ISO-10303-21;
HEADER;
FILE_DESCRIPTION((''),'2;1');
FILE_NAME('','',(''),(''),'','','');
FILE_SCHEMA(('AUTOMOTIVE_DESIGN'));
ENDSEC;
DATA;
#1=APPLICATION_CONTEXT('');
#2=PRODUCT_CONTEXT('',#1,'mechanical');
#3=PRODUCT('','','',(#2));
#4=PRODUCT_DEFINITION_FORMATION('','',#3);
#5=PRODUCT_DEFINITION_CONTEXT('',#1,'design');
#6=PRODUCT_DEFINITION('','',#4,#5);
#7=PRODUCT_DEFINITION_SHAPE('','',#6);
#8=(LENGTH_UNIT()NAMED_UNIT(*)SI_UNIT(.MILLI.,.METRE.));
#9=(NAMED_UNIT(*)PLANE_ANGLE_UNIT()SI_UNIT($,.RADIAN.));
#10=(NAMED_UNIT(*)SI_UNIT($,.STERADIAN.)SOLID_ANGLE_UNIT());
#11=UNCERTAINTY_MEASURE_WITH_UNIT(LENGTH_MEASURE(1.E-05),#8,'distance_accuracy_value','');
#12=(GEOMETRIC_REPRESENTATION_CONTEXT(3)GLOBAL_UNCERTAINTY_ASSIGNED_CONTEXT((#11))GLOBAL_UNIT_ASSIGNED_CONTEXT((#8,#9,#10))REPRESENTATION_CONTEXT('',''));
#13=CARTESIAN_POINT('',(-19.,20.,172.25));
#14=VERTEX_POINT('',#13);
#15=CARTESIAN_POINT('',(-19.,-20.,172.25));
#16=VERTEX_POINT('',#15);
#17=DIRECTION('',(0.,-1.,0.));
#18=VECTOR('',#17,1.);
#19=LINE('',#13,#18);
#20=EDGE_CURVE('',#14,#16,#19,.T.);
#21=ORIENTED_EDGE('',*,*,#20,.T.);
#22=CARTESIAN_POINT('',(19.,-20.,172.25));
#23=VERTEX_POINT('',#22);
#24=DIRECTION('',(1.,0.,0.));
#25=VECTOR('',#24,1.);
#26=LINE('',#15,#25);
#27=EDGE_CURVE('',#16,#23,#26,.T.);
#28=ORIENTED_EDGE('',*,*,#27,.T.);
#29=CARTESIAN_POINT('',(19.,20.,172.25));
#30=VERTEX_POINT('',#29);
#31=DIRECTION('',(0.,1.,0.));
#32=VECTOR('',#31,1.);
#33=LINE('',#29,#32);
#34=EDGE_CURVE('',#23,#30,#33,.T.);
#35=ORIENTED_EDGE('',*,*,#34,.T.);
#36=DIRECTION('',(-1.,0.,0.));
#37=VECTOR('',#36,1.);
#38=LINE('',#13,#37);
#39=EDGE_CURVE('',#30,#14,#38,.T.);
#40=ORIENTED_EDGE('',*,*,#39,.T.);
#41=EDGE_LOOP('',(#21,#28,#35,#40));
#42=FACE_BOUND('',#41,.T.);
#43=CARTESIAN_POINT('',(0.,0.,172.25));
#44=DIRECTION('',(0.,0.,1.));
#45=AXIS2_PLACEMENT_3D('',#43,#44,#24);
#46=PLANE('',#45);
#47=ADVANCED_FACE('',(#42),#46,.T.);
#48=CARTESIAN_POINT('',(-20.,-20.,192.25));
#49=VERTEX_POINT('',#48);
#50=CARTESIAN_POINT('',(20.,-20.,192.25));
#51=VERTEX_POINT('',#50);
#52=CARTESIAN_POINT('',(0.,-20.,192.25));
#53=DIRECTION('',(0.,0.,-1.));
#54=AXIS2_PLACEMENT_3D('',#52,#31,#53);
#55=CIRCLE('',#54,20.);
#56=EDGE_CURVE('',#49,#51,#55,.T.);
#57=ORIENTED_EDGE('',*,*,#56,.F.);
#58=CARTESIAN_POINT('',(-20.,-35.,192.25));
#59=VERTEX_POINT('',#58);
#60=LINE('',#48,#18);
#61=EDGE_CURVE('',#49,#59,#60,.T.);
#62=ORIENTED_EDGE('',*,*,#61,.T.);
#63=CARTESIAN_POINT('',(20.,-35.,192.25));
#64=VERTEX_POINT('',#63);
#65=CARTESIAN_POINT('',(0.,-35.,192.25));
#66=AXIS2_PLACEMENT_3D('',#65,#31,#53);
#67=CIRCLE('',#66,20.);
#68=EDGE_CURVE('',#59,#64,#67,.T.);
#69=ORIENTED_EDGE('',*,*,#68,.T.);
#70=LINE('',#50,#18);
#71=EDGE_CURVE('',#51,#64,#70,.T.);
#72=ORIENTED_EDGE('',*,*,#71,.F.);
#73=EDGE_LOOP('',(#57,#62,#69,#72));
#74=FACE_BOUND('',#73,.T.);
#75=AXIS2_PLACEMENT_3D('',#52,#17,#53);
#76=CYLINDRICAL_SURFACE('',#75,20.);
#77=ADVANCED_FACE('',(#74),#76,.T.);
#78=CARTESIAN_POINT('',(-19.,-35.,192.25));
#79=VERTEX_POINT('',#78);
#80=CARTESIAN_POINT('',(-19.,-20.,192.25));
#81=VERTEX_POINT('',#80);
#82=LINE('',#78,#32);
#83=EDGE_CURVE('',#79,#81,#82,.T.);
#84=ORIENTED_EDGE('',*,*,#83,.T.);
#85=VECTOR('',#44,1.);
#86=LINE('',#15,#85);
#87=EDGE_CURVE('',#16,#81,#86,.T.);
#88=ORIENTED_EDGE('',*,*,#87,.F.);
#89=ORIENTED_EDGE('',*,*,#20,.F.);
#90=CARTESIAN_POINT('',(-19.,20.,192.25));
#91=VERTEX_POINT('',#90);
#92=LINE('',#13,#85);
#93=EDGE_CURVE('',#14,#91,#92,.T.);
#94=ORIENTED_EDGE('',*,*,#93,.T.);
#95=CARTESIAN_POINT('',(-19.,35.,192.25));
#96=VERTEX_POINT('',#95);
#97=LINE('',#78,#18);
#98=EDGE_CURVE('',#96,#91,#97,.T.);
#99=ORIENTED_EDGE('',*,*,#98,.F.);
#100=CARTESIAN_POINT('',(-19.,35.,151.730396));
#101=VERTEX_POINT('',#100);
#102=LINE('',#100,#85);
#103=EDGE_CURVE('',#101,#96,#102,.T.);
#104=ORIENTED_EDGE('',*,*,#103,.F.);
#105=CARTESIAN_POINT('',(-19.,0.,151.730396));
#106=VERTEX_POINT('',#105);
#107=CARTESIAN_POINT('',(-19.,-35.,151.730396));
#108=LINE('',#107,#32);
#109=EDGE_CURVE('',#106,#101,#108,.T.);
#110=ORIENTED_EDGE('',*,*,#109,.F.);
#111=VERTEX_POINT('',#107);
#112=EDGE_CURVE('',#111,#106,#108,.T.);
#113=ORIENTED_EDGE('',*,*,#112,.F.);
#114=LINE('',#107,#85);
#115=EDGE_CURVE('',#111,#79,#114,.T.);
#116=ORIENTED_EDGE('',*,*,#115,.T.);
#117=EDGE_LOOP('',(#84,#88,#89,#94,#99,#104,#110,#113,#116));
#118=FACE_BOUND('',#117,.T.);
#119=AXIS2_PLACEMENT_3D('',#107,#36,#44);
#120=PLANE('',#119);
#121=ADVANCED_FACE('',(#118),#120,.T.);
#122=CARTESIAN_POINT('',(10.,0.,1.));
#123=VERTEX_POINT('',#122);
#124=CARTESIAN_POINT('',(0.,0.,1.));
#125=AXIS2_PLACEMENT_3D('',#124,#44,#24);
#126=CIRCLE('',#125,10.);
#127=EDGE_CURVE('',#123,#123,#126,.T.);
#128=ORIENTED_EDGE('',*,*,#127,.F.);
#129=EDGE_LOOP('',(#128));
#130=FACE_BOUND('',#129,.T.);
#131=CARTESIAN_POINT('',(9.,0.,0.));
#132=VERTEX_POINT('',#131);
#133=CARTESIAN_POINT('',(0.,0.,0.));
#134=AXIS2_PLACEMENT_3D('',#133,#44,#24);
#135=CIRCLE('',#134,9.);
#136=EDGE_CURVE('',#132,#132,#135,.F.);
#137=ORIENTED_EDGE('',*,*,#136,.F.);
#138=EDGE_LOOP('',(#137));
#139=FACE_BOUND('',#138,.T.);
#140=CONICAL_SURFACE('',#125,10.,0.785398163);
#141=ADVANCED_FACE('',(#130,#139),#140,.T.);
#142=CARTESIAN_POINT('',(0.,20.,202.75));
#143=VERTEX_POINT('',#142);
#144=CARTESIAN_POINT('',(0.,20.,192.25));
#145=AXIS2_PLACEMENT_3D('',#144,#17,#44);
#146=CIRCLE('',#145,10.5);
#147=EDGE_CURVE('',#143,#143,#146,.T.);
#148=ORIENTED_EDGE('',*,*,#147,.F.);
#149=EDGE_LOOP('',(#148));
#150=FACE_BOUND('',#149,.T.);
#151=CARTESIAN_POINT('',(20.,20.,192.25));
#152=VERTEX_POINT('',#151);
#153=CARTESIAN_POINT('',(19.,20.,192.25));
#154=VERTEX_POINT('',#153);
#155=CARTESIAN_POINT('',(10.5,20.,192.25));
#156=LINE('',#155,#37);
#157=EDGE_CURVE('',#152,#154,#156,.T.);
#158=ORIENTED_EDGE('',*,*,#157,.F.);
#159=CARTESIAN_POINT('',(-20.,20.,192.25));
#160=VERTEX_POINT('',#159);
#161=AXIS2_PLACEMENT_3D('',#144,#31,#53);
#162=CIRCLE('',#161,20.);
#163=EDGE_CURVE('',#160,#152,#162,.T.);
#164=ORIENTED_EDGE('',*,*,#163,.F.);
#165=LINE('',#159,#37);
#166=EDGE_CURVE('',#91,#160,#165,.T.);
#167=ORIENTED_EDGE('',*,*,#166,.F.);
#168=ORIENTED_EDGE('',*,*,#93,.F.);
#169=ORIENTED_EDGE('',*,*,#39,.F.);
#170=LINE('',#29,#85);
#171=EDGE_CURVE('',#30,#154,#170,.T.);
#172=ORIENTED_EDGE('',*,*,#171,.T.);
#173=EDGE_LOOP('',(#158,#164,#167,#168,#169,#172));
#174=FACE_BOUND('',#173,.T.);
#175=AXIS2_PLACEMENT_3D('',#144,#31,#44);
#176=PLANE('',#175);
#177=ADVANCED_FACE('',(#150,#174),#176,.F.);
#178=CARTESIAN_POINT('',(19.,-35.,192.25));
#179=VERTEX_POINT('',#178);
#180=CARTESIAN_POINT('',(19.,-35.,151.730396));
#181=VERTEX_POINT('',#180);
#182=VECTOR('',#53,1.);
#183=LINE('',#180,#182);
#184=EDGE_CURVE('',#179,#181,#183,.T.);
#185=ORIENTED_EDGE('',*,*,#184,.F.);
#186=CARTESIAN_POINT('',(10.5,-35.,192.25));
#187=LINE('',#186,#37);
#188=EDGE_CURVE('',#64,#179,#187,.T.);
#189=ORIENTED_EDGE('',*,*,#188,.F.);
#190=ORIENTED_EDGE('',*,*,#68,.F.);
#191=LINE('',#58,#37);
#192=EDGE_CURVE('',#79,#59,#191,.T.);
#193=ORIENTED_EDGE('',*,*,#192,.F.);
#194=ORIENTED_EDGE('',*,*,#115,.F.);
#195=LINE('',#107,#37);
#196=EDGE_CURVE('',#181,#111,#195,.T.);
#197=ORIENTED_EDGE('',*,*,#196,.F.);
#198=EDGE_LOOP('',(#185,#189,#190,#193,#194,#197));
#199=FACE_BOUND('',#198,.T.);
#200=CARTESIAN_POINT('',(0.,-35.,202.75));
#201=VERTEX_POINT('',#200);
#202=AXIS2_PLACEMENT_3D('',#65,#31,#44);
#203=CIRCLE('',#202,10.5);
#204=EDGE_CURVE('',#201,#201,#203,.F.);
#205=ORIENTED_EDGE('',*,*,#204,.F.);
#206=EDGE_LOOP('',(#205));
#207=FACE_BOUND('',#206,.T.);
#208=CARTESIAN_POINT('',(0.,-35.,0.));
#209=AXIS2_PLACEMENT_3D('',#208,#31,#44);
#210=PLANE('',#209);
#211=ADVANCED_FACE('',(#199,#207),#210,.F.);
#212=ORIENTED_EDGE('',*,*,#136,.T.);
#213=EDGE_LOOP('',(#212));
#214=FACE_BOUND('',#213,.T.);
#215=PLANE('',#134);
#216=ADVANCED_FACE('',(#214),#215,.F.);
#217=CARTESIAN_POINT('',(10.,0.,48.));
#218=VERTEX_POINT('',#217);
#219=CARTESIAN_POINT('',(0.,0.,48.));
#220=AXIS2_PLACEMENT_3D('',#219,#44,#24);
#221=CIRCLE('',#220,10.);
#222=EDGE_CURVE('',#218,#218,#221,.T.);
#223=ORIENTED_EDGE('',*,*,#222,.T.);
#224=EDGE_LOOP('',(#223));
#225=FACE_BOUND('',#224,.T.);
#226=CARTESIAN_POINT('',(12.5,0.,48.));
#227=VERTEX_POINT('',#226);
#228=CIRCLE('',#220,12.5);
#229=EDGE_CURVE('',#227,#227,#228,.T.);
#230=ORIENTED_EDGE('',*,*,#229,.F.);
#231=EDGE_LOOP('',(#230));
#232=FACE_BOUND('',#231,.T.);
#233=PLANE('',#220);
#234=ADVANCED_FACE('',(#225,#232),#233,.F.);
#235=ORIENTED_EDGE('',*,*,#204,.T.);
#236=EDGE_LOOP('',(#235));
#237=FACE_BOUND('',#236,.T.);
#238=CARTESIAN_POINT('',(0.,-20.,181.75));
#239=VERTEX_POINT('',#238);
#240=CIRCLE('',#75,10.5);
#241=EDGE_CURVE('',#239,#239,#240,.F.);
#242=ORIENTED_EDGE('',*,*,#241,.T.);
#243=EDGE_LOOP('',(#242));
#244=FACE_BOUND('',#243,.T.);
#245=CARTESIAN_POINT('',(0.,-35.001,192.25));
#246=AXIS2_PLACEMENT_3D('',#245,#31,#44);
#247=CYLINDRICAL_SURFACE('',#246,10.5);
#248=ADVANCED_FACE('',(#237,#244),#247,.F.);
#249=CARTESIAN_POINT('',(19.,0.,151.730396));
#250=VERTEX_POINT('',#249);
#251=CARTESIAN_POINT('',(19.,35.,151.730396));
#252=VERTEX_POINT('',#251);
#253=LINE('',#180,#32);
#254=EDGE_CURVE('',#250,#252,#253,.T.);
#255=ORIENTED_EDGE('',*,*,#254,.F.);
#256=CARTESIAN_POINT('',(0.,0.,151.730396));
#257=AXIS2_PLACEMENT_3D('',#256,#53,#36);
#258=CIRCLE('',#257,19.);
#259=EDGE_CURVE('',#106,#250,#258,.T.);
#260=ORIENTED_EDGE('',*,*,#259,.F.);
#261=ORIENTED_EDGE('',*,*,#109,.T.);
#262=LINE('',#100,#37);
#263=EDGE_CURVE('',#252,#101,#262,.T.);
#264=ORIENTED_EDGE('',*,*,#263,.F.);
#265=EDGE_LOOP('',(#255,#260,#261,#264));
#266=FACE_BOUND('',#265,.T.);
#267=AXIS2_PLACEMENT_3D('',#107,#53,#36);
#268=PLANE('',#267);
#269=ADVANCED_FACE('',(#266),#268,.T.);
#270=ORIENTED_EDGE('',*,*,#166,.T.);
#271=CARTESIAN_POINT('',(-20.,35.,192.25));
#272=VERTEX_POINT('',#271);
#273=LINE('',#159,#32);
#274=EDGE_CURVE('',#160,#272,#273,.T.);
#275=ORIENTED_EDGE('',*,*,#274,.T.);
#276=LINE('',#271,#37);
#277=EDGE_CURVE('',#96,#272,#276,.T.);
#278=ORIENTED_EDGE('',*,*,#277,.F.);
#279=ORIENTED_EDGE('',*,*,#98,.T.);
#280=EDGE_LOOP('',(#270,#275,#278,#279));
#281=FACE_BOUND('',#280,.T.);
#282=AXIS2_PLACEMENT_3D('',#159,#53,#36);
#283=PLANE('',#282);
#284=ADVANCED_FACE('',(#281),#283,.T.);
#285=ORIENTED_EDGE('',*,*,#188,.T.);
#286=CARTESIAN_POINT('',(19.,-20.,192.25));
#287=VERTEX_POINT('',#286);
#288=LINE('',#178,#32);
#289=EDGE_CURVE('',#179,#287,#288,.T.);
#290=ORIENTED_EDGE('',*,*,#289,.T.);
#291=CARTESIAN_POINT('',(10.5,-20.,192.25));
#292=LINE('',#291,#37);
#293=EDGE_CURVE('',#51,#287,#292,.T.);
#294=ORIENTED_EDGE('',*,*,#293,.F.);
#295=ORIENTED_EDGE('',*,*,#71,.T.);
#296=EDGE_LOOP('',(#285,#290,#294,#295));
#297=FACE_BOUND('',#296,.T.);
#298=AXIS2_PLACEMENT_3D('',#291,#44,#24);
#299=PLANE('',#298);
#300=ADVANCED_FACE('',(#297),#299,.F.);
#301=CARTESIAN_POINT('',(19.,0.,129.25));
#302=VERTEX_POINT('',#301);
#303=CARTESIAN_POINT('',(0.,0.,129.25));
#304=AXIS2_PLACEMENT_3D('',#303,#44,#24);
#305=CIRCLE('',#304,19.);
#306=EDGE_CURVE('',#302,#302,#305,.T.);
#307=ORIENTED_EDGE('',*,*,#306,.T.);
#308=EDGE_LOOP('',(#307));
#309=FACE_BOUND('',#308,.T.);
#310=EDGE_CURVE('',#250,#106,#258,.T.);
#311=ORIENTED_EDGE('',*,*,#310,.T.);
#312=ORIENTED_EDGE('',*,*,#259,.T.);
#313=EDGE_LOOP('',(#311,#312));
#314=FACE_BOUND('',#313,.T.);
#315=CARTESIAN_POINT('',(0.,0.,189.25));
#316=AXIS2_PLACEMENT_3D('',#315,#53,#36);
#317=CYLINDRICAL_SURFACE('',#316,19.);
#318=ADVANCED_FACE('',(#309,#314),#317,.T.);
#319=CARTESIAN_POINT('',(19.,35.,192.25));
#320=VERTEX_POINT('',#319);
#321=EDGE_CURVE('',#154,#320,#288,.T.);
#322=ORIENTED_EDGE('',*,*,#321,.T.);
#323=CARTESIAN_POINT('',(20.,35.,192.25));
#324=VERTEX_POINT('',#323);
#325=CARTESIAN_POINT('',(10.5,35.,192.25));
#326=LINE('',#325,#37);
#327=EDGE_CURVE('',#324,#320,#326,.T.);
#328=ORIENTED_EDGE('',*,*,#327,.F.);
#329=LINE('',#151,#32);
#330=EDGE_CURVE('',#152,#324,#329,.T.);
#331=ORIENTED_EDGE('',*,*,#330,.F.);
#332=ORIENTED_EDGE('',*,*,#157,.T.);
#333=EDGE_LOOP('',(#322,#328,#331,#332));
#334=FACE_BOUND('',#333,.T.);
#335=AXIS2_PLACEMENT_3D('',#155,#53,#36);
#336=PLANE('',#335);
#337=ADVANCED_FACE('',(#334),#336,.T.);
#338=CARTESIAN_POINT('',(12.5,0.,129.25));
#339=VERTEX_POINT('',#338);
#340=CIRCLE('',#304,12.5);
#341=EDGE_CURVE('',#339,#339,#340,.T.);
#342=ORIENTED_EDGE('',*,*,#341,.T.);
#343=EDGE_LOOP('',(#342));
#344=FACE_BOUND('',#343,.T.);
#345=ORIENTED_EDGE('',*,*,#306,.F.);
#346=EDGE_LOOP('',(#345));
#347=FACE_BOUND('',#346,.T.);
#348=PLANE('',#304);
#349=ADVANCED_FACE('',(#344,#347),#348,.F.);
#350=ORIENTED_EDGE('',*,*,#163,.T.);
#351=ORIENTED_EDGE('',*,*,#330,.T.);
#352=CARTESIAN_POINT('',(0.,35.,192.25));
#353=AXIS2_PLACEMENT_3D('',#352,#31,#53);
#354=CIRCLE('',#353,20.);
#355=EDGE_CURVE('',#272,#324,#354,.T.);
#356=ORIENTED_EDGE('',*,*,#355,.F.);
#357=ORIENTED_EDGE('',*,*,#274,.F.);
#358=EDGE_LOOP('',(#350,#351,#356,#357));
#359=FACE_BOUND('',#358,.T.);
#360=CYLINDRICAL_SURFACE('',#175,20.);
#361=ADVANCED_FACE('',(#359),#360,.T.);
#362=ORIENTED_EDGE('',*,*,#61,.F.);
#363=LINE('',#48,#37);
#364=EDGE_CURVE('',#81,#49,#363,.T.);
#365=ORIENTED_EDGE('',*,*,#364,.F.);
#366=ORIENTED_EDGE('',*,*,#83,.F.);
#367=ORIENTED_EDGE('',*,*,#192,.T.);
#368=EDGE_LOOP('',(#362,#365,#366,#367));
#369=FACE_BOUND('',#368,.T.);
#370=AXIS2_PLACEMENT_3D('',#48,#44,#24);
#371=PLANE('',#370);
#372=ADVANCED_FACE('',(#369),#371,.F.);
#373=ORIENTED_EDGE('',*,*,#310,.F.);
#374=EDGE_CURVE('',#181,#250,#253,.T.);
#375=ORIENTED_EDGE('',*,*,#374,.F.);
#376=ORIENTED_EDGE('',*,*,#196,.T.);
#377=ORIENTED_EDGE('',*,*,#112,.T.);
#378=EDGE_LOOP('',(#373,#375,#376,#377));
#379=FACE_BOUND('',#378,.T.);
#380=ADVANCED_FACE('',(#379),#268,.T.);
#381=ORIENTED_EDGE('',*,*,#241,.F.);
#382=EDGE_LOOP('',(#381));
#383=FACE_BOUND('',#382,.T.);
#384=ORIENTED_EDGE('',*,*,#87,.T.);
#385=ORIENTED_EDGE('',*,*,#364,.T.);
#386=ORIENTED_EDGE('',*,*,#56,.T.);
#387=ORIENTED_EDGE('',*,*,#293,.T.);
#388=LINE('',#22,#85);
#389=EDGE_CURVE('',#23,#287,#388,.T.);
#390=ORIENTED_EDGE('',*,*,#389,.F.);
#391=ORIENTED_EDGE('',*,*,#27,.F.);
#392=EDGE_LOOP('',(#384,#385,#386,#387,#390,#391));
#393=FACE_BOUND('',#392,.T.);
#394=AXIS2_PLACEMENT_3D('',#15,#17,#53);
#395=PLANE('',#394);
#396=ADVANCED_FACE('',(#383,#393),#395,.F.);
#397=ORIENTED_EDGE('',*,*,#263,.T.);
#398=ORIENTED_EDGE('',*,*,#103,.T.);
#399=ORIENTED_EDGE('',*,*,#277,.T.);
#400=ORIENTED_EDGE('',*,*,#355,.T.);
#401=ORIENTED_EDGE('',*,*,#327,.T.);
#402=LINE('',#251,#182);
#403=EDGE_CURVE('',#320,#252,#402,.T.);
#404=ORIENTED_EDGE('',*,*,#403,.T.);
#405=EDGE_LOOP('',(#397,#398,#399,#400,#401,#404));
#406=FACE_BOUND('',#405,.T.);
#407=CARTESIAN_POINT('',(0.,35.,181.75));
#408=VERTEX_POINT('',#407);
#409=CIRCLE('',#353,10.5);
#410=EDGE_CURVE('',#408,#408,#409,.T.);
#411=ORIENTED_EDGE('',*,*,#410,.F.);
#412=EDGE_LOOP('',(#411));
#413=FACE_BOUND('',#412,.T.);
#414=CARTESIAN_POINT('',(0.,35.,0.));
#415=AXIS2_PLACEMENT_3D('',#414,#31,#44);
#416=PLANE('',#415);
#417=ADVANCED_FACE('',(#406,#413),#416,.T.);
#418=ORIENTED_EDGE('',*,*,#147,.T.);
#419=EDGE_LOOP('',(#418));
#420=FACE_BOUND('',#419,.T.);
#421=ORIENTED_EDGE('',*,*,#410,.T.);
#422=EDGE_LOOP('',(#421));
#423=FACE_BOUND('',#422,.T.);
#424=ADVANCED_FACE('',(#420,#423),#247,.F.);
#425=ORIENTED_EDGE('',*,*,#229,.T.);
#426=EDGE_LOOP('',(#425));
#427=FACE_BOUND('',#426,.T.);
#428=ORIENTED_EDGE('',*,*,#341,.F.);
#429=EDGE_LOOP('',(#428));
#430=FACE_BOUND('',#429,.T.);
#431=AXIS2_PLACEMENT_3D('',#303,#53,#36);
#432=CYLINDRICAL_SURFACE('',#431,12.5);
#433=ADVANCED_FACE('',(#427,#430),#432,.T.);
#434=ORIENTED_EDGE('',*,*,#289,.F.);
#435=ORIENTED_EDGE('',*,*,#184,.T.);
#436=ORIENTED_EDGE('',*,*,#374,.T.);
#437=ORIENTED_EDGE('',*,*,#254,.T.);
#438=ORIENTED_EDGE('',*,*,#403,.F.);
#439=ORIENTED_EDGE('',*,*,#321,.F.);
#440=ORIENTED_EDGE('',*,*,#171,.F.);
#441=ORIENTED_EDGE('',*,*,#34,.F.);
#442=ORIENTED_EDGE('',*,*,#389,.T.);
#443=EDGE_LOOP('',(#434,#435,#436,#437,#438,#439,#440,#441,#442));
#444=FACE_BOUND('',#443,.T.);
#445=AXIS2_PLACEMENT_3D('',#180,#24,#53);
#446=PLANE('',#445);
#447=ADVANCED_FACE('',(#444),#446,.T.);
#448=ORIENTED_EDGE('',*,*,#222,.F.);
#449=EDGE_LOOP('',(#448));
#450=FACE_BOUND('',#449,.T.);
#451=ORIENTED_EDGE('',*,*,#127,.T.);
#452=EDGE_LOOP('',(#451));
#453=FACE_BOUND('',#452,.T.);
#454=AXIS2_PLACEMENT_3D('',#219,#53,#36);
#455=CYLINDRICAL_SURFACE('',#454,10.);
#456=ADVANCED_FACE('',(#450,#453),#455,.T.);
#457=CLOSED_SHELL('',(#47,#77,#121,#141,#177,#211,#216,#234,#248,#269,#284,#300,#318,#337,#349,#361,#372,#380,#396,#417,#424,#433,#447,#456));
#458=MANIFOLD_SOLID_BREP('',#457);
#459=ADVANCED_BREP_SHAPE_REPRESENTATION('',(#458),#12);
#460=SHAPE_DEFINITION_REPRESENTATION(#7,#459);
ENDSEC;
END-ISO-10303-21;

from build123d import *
from build123d.topology import SkipClean

# Parameters (mm, degrees)
ESQUISSE2_R             = 10
BOSS_EXTRU_1_DEPTH      = 48
ESQUISSE3_R             = 12.5
BOSS_EXTRU_2_DEPTH      = 81.25
CHANFREIN1_SIZE         = 1
ESQUISSE6_R             = 19
BOSS_EXTRU_3_DEPTH      = 60
BOSS_EXTRU_4_DEPTH      = 35
BOSS_EXTRU_4_DEPTH_BACK = 35
ESQUISSE7_W             = 38
ESQUISSE7_H             = 40.519603535
ENL_V_MAT_EXTRU_3_REACH = 207.478
BOSS_EXTRU_6_DEPTH      = 15
ESQUISSE16_W            = 38
ESQUISSE16_H            = 40
ENL_V_MAT_EXTRU_4_DEPTH = 20


with BuildPart() as part:
    # Esquisse2 → Boss.-Extru.1 (new body)
    with BuildSketch(Plane.XY):
        Circle(ESQUISSE2_R)
    extrude(amount=BOSS_EXTRU_1_DEPTH)

    # Esquisse3 → Boss.-Extru.2 (add)
    with BuildSketch(Plane.XY.offset(48)):
        Circle(ESQUISSE3_R)
    extrude(amount=BOSS_EXTRU_2_DEPTH)

    # Chanfrein1
    chanfrein1_edges = [part.edges().sort_by_distance(p)[0] for p in [
        (-10, 0, 0),
    ]]
    chamfer(chanfrein1_edges, length=CHANFREIN1_SIZE)

    # Esquisse6 → Boss.-Extru.3 (add)
    with BuildSketch(Plane.XY.offset(129.25)):
        Circle(ESQUISSE6_R)
    extrude(amount=BOSS_EXTRU_3_DEPTH)

    # Esquisse7 → Boss.-Extru.4 (add, two sides: drawn at the far end of the back side and taken through both)
    with BuildSketch(Plane(origin=(0, 0, 0), x_dir=(1, 0, 0), z_dir=(0, 1, 0)).offset(-BOSS_EXTRU_4_DEPTH_BACK)):
        with Locations((0, -171.990198233)):
            Rectangle(ESQUISSE7_W, ESQUISSE7_H)
    extrude(amount=BOSS_EXTRU_4_DEPTH + BOSS_EXTRU_4_DEPTH_BACK)

    # Esquisse12 → Enlèv. mat.-Extru.3 (cut, up to next)
    with BuildSketch(Plane(origin=(0, 35, 0), x_dir=(1, 0, 0), z_dir=(0, 1, 0)), mode=Mode.PRIVATE) as enl_v_mat_extru_3_sk1:
        with BuildLine():
            Line((-10.5, -192.25), (10.5, -192.25))
            ThreePointArc((10.5, -192.25), (0, -181.75), (-10.5, -192.25))
        make_face()
    enl_v_mat_extru_3_tool1 = extrude(enl_v_mat_extru_3_sk1.sketch, amount=-ENL_V_MAT_EXTRU_3_REACH, mode=Mode.PRIVATE) & part.part
    add(enl_v_mat_extru_3_tool1.solids().sort_by_distance((0, 35, 187.793662))[0], mode=Mode.SUBTRACT)

    # Esquisse15 → Boss.-Extru.6 (add)
    with BuildSketch(Plane(origin=(0, 35, 0), x_dir=(1, 0, 0), z_dir=(0, 1, 0))):
        with BuildLine():
            Line((-20, -192.25), (-10.5, -192.25))
            ThreePointArc((-10.5, -192.25), (0, -202.75), (10.5, -192.25))
            Line((10.5, -192.25), (20, -192.25))
            ThreePointArc((20, -192.25), (0, -212.25), (-20, -192.25))
        make_face()
    boss_extru_6 = extrude(amount=-BOSS_EXTRU_6_DEPTH)

    # Esquisse16 → Enlèv. mat.-Extru.4 (cut)
    with BuildSketch(Plane.XY.offset(192.25)):
        Rectangle(ESQUISSE16_W, ESQUISSE16_H)
    extrude(amount=-ENL_V_MAT_EXTRU_4_DEPTH, mode=Mode.SUBTRACT)

    # Symétrie2: Boss.-Extru.6 across plane
    with SkipClean():  # the faces are left unmerged after this step: merging them gives an invalid solid
        add(boss_extru_6.mirror(Plane.ZX))


solid = part.part
